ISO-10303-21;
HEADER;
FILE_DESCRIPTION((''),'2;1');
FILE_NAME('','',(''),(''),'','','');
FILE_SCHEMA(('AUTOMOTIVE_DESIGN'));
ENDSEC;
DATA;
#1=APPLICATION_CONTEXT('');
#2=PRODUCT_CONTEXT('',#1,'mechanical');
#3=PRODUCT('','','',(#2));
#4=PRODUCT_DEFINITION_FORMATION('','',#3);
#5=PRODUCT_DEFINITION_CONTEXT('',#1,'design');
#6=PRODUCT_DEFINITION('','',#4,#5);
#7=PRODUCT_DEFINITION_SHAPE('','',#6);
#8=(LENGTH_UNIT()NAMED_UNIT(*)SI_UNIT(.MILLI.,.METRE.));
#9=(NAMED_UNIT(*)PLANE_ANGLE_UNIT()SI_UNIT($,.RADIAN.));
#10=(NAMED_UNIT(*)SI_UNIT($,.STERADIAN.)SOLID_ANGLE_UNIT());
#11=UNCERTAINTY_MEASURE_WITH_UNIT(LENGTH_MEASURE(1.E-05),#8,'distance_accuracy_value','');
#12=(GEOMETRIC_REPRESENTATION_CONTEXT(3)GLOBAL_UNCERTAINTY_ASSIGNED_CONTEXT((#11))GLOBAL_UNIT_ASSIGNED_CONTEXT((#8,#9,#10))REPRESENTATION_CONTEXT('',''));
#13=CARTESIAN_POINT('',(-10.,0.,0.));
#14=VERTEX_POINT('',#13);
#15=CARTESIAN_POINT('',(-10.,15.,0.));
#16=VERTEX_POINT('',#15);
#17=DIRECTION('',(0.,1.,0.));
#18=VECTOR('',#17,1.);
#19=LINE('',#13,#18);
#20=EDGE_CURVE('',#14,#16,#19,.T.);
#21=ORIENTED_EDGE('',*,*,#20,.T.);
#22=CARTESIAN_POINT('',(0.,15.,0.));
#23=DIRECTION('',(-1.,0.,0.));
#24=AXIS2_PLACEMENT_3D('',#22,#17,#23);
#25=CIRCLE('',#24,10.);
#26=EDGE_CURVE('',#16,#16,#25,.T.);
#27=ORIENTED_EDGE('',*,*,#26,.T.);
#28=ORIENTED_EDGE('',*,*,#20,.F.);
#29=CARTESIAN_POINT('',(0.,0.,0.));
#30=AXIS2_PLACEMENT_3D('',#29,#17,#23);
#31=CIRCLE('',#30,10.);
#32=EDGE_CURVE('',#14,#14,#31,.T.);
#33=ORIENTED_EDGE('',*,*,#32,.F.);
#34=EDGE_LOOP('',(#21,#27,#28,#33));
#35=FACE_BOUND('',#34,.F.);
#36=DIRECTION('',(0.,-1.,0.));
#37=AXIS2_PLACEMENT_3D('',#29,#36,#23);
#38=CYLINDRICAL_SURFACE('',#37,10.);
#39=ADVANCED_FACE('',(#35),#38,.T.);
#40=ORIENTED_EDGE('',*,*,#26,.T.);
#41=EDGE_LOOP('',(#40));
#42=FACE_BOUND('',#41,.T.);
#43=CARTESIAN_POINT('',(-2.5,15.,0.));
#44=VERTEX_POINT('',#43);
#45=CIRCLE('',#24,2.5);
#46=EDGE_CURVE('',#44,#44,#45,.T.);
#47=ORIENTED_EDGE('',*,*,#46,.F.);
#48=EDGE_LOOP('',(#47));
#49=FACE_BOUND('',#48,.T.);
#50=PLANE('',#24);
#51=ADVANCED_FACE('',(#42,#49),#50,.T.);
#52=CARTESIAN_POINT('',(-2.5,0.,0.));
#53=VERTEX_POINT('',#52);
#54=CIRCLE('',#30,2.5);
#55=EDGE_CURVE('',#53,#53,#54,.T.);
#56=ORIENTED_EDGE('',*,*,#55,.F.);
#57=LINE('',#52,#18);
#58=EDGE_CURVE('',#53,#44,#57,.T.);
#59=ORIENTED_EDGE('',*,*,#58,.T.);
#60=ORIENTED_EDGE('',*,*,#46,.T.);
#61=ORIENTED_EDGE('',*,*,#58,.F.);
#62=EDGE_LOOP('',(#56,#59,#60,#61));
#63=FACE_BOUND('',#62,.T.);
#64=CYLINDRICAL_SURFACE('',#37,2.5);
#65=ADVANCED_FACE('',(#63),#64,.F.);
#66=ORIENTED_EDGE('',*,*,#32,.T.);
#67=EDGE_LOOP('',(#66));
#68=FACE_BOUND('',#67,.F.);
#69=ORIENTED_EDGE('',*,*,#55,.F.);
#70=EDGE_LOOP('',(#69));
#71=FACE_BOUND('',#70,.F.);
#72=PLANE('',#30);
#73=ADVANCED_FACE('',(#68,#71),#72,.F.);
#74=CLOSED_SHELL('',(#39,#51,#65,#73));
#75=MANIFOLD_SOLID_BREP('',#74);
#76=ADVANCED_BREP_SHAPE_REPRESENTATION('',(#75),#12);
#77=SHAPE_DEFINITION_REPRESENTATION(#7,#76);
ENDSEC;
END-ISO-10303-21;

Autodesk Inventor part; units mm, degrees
ref_plane "YZ Plane" through (0, 0, 0) normal (1, 0, 0) x (0, 1, 0)
ref_plane "XZ Plane" through (0, 0, 0) normal (0, 1, 0) x (-1, 0, 0)
ref_plane "XY Plane" through (0, 0, 0) normal (0, 0, 1) x (1, 0, 0)
sketch "Sketch1" plane through (0, 0, 0) normal (0, 1, 0) x (-1, 0, 0)
  circle A0 centre (0, 0) radius 10
  circle A1 centre (0, 0) radius 2.5
  dimension "d0" = 20
  dimension "d1" = 5
extrude "Extrusion1" add sketch "Sketch1" along normal blind 15
properties part number "Y_Slider_Zahnrad"
